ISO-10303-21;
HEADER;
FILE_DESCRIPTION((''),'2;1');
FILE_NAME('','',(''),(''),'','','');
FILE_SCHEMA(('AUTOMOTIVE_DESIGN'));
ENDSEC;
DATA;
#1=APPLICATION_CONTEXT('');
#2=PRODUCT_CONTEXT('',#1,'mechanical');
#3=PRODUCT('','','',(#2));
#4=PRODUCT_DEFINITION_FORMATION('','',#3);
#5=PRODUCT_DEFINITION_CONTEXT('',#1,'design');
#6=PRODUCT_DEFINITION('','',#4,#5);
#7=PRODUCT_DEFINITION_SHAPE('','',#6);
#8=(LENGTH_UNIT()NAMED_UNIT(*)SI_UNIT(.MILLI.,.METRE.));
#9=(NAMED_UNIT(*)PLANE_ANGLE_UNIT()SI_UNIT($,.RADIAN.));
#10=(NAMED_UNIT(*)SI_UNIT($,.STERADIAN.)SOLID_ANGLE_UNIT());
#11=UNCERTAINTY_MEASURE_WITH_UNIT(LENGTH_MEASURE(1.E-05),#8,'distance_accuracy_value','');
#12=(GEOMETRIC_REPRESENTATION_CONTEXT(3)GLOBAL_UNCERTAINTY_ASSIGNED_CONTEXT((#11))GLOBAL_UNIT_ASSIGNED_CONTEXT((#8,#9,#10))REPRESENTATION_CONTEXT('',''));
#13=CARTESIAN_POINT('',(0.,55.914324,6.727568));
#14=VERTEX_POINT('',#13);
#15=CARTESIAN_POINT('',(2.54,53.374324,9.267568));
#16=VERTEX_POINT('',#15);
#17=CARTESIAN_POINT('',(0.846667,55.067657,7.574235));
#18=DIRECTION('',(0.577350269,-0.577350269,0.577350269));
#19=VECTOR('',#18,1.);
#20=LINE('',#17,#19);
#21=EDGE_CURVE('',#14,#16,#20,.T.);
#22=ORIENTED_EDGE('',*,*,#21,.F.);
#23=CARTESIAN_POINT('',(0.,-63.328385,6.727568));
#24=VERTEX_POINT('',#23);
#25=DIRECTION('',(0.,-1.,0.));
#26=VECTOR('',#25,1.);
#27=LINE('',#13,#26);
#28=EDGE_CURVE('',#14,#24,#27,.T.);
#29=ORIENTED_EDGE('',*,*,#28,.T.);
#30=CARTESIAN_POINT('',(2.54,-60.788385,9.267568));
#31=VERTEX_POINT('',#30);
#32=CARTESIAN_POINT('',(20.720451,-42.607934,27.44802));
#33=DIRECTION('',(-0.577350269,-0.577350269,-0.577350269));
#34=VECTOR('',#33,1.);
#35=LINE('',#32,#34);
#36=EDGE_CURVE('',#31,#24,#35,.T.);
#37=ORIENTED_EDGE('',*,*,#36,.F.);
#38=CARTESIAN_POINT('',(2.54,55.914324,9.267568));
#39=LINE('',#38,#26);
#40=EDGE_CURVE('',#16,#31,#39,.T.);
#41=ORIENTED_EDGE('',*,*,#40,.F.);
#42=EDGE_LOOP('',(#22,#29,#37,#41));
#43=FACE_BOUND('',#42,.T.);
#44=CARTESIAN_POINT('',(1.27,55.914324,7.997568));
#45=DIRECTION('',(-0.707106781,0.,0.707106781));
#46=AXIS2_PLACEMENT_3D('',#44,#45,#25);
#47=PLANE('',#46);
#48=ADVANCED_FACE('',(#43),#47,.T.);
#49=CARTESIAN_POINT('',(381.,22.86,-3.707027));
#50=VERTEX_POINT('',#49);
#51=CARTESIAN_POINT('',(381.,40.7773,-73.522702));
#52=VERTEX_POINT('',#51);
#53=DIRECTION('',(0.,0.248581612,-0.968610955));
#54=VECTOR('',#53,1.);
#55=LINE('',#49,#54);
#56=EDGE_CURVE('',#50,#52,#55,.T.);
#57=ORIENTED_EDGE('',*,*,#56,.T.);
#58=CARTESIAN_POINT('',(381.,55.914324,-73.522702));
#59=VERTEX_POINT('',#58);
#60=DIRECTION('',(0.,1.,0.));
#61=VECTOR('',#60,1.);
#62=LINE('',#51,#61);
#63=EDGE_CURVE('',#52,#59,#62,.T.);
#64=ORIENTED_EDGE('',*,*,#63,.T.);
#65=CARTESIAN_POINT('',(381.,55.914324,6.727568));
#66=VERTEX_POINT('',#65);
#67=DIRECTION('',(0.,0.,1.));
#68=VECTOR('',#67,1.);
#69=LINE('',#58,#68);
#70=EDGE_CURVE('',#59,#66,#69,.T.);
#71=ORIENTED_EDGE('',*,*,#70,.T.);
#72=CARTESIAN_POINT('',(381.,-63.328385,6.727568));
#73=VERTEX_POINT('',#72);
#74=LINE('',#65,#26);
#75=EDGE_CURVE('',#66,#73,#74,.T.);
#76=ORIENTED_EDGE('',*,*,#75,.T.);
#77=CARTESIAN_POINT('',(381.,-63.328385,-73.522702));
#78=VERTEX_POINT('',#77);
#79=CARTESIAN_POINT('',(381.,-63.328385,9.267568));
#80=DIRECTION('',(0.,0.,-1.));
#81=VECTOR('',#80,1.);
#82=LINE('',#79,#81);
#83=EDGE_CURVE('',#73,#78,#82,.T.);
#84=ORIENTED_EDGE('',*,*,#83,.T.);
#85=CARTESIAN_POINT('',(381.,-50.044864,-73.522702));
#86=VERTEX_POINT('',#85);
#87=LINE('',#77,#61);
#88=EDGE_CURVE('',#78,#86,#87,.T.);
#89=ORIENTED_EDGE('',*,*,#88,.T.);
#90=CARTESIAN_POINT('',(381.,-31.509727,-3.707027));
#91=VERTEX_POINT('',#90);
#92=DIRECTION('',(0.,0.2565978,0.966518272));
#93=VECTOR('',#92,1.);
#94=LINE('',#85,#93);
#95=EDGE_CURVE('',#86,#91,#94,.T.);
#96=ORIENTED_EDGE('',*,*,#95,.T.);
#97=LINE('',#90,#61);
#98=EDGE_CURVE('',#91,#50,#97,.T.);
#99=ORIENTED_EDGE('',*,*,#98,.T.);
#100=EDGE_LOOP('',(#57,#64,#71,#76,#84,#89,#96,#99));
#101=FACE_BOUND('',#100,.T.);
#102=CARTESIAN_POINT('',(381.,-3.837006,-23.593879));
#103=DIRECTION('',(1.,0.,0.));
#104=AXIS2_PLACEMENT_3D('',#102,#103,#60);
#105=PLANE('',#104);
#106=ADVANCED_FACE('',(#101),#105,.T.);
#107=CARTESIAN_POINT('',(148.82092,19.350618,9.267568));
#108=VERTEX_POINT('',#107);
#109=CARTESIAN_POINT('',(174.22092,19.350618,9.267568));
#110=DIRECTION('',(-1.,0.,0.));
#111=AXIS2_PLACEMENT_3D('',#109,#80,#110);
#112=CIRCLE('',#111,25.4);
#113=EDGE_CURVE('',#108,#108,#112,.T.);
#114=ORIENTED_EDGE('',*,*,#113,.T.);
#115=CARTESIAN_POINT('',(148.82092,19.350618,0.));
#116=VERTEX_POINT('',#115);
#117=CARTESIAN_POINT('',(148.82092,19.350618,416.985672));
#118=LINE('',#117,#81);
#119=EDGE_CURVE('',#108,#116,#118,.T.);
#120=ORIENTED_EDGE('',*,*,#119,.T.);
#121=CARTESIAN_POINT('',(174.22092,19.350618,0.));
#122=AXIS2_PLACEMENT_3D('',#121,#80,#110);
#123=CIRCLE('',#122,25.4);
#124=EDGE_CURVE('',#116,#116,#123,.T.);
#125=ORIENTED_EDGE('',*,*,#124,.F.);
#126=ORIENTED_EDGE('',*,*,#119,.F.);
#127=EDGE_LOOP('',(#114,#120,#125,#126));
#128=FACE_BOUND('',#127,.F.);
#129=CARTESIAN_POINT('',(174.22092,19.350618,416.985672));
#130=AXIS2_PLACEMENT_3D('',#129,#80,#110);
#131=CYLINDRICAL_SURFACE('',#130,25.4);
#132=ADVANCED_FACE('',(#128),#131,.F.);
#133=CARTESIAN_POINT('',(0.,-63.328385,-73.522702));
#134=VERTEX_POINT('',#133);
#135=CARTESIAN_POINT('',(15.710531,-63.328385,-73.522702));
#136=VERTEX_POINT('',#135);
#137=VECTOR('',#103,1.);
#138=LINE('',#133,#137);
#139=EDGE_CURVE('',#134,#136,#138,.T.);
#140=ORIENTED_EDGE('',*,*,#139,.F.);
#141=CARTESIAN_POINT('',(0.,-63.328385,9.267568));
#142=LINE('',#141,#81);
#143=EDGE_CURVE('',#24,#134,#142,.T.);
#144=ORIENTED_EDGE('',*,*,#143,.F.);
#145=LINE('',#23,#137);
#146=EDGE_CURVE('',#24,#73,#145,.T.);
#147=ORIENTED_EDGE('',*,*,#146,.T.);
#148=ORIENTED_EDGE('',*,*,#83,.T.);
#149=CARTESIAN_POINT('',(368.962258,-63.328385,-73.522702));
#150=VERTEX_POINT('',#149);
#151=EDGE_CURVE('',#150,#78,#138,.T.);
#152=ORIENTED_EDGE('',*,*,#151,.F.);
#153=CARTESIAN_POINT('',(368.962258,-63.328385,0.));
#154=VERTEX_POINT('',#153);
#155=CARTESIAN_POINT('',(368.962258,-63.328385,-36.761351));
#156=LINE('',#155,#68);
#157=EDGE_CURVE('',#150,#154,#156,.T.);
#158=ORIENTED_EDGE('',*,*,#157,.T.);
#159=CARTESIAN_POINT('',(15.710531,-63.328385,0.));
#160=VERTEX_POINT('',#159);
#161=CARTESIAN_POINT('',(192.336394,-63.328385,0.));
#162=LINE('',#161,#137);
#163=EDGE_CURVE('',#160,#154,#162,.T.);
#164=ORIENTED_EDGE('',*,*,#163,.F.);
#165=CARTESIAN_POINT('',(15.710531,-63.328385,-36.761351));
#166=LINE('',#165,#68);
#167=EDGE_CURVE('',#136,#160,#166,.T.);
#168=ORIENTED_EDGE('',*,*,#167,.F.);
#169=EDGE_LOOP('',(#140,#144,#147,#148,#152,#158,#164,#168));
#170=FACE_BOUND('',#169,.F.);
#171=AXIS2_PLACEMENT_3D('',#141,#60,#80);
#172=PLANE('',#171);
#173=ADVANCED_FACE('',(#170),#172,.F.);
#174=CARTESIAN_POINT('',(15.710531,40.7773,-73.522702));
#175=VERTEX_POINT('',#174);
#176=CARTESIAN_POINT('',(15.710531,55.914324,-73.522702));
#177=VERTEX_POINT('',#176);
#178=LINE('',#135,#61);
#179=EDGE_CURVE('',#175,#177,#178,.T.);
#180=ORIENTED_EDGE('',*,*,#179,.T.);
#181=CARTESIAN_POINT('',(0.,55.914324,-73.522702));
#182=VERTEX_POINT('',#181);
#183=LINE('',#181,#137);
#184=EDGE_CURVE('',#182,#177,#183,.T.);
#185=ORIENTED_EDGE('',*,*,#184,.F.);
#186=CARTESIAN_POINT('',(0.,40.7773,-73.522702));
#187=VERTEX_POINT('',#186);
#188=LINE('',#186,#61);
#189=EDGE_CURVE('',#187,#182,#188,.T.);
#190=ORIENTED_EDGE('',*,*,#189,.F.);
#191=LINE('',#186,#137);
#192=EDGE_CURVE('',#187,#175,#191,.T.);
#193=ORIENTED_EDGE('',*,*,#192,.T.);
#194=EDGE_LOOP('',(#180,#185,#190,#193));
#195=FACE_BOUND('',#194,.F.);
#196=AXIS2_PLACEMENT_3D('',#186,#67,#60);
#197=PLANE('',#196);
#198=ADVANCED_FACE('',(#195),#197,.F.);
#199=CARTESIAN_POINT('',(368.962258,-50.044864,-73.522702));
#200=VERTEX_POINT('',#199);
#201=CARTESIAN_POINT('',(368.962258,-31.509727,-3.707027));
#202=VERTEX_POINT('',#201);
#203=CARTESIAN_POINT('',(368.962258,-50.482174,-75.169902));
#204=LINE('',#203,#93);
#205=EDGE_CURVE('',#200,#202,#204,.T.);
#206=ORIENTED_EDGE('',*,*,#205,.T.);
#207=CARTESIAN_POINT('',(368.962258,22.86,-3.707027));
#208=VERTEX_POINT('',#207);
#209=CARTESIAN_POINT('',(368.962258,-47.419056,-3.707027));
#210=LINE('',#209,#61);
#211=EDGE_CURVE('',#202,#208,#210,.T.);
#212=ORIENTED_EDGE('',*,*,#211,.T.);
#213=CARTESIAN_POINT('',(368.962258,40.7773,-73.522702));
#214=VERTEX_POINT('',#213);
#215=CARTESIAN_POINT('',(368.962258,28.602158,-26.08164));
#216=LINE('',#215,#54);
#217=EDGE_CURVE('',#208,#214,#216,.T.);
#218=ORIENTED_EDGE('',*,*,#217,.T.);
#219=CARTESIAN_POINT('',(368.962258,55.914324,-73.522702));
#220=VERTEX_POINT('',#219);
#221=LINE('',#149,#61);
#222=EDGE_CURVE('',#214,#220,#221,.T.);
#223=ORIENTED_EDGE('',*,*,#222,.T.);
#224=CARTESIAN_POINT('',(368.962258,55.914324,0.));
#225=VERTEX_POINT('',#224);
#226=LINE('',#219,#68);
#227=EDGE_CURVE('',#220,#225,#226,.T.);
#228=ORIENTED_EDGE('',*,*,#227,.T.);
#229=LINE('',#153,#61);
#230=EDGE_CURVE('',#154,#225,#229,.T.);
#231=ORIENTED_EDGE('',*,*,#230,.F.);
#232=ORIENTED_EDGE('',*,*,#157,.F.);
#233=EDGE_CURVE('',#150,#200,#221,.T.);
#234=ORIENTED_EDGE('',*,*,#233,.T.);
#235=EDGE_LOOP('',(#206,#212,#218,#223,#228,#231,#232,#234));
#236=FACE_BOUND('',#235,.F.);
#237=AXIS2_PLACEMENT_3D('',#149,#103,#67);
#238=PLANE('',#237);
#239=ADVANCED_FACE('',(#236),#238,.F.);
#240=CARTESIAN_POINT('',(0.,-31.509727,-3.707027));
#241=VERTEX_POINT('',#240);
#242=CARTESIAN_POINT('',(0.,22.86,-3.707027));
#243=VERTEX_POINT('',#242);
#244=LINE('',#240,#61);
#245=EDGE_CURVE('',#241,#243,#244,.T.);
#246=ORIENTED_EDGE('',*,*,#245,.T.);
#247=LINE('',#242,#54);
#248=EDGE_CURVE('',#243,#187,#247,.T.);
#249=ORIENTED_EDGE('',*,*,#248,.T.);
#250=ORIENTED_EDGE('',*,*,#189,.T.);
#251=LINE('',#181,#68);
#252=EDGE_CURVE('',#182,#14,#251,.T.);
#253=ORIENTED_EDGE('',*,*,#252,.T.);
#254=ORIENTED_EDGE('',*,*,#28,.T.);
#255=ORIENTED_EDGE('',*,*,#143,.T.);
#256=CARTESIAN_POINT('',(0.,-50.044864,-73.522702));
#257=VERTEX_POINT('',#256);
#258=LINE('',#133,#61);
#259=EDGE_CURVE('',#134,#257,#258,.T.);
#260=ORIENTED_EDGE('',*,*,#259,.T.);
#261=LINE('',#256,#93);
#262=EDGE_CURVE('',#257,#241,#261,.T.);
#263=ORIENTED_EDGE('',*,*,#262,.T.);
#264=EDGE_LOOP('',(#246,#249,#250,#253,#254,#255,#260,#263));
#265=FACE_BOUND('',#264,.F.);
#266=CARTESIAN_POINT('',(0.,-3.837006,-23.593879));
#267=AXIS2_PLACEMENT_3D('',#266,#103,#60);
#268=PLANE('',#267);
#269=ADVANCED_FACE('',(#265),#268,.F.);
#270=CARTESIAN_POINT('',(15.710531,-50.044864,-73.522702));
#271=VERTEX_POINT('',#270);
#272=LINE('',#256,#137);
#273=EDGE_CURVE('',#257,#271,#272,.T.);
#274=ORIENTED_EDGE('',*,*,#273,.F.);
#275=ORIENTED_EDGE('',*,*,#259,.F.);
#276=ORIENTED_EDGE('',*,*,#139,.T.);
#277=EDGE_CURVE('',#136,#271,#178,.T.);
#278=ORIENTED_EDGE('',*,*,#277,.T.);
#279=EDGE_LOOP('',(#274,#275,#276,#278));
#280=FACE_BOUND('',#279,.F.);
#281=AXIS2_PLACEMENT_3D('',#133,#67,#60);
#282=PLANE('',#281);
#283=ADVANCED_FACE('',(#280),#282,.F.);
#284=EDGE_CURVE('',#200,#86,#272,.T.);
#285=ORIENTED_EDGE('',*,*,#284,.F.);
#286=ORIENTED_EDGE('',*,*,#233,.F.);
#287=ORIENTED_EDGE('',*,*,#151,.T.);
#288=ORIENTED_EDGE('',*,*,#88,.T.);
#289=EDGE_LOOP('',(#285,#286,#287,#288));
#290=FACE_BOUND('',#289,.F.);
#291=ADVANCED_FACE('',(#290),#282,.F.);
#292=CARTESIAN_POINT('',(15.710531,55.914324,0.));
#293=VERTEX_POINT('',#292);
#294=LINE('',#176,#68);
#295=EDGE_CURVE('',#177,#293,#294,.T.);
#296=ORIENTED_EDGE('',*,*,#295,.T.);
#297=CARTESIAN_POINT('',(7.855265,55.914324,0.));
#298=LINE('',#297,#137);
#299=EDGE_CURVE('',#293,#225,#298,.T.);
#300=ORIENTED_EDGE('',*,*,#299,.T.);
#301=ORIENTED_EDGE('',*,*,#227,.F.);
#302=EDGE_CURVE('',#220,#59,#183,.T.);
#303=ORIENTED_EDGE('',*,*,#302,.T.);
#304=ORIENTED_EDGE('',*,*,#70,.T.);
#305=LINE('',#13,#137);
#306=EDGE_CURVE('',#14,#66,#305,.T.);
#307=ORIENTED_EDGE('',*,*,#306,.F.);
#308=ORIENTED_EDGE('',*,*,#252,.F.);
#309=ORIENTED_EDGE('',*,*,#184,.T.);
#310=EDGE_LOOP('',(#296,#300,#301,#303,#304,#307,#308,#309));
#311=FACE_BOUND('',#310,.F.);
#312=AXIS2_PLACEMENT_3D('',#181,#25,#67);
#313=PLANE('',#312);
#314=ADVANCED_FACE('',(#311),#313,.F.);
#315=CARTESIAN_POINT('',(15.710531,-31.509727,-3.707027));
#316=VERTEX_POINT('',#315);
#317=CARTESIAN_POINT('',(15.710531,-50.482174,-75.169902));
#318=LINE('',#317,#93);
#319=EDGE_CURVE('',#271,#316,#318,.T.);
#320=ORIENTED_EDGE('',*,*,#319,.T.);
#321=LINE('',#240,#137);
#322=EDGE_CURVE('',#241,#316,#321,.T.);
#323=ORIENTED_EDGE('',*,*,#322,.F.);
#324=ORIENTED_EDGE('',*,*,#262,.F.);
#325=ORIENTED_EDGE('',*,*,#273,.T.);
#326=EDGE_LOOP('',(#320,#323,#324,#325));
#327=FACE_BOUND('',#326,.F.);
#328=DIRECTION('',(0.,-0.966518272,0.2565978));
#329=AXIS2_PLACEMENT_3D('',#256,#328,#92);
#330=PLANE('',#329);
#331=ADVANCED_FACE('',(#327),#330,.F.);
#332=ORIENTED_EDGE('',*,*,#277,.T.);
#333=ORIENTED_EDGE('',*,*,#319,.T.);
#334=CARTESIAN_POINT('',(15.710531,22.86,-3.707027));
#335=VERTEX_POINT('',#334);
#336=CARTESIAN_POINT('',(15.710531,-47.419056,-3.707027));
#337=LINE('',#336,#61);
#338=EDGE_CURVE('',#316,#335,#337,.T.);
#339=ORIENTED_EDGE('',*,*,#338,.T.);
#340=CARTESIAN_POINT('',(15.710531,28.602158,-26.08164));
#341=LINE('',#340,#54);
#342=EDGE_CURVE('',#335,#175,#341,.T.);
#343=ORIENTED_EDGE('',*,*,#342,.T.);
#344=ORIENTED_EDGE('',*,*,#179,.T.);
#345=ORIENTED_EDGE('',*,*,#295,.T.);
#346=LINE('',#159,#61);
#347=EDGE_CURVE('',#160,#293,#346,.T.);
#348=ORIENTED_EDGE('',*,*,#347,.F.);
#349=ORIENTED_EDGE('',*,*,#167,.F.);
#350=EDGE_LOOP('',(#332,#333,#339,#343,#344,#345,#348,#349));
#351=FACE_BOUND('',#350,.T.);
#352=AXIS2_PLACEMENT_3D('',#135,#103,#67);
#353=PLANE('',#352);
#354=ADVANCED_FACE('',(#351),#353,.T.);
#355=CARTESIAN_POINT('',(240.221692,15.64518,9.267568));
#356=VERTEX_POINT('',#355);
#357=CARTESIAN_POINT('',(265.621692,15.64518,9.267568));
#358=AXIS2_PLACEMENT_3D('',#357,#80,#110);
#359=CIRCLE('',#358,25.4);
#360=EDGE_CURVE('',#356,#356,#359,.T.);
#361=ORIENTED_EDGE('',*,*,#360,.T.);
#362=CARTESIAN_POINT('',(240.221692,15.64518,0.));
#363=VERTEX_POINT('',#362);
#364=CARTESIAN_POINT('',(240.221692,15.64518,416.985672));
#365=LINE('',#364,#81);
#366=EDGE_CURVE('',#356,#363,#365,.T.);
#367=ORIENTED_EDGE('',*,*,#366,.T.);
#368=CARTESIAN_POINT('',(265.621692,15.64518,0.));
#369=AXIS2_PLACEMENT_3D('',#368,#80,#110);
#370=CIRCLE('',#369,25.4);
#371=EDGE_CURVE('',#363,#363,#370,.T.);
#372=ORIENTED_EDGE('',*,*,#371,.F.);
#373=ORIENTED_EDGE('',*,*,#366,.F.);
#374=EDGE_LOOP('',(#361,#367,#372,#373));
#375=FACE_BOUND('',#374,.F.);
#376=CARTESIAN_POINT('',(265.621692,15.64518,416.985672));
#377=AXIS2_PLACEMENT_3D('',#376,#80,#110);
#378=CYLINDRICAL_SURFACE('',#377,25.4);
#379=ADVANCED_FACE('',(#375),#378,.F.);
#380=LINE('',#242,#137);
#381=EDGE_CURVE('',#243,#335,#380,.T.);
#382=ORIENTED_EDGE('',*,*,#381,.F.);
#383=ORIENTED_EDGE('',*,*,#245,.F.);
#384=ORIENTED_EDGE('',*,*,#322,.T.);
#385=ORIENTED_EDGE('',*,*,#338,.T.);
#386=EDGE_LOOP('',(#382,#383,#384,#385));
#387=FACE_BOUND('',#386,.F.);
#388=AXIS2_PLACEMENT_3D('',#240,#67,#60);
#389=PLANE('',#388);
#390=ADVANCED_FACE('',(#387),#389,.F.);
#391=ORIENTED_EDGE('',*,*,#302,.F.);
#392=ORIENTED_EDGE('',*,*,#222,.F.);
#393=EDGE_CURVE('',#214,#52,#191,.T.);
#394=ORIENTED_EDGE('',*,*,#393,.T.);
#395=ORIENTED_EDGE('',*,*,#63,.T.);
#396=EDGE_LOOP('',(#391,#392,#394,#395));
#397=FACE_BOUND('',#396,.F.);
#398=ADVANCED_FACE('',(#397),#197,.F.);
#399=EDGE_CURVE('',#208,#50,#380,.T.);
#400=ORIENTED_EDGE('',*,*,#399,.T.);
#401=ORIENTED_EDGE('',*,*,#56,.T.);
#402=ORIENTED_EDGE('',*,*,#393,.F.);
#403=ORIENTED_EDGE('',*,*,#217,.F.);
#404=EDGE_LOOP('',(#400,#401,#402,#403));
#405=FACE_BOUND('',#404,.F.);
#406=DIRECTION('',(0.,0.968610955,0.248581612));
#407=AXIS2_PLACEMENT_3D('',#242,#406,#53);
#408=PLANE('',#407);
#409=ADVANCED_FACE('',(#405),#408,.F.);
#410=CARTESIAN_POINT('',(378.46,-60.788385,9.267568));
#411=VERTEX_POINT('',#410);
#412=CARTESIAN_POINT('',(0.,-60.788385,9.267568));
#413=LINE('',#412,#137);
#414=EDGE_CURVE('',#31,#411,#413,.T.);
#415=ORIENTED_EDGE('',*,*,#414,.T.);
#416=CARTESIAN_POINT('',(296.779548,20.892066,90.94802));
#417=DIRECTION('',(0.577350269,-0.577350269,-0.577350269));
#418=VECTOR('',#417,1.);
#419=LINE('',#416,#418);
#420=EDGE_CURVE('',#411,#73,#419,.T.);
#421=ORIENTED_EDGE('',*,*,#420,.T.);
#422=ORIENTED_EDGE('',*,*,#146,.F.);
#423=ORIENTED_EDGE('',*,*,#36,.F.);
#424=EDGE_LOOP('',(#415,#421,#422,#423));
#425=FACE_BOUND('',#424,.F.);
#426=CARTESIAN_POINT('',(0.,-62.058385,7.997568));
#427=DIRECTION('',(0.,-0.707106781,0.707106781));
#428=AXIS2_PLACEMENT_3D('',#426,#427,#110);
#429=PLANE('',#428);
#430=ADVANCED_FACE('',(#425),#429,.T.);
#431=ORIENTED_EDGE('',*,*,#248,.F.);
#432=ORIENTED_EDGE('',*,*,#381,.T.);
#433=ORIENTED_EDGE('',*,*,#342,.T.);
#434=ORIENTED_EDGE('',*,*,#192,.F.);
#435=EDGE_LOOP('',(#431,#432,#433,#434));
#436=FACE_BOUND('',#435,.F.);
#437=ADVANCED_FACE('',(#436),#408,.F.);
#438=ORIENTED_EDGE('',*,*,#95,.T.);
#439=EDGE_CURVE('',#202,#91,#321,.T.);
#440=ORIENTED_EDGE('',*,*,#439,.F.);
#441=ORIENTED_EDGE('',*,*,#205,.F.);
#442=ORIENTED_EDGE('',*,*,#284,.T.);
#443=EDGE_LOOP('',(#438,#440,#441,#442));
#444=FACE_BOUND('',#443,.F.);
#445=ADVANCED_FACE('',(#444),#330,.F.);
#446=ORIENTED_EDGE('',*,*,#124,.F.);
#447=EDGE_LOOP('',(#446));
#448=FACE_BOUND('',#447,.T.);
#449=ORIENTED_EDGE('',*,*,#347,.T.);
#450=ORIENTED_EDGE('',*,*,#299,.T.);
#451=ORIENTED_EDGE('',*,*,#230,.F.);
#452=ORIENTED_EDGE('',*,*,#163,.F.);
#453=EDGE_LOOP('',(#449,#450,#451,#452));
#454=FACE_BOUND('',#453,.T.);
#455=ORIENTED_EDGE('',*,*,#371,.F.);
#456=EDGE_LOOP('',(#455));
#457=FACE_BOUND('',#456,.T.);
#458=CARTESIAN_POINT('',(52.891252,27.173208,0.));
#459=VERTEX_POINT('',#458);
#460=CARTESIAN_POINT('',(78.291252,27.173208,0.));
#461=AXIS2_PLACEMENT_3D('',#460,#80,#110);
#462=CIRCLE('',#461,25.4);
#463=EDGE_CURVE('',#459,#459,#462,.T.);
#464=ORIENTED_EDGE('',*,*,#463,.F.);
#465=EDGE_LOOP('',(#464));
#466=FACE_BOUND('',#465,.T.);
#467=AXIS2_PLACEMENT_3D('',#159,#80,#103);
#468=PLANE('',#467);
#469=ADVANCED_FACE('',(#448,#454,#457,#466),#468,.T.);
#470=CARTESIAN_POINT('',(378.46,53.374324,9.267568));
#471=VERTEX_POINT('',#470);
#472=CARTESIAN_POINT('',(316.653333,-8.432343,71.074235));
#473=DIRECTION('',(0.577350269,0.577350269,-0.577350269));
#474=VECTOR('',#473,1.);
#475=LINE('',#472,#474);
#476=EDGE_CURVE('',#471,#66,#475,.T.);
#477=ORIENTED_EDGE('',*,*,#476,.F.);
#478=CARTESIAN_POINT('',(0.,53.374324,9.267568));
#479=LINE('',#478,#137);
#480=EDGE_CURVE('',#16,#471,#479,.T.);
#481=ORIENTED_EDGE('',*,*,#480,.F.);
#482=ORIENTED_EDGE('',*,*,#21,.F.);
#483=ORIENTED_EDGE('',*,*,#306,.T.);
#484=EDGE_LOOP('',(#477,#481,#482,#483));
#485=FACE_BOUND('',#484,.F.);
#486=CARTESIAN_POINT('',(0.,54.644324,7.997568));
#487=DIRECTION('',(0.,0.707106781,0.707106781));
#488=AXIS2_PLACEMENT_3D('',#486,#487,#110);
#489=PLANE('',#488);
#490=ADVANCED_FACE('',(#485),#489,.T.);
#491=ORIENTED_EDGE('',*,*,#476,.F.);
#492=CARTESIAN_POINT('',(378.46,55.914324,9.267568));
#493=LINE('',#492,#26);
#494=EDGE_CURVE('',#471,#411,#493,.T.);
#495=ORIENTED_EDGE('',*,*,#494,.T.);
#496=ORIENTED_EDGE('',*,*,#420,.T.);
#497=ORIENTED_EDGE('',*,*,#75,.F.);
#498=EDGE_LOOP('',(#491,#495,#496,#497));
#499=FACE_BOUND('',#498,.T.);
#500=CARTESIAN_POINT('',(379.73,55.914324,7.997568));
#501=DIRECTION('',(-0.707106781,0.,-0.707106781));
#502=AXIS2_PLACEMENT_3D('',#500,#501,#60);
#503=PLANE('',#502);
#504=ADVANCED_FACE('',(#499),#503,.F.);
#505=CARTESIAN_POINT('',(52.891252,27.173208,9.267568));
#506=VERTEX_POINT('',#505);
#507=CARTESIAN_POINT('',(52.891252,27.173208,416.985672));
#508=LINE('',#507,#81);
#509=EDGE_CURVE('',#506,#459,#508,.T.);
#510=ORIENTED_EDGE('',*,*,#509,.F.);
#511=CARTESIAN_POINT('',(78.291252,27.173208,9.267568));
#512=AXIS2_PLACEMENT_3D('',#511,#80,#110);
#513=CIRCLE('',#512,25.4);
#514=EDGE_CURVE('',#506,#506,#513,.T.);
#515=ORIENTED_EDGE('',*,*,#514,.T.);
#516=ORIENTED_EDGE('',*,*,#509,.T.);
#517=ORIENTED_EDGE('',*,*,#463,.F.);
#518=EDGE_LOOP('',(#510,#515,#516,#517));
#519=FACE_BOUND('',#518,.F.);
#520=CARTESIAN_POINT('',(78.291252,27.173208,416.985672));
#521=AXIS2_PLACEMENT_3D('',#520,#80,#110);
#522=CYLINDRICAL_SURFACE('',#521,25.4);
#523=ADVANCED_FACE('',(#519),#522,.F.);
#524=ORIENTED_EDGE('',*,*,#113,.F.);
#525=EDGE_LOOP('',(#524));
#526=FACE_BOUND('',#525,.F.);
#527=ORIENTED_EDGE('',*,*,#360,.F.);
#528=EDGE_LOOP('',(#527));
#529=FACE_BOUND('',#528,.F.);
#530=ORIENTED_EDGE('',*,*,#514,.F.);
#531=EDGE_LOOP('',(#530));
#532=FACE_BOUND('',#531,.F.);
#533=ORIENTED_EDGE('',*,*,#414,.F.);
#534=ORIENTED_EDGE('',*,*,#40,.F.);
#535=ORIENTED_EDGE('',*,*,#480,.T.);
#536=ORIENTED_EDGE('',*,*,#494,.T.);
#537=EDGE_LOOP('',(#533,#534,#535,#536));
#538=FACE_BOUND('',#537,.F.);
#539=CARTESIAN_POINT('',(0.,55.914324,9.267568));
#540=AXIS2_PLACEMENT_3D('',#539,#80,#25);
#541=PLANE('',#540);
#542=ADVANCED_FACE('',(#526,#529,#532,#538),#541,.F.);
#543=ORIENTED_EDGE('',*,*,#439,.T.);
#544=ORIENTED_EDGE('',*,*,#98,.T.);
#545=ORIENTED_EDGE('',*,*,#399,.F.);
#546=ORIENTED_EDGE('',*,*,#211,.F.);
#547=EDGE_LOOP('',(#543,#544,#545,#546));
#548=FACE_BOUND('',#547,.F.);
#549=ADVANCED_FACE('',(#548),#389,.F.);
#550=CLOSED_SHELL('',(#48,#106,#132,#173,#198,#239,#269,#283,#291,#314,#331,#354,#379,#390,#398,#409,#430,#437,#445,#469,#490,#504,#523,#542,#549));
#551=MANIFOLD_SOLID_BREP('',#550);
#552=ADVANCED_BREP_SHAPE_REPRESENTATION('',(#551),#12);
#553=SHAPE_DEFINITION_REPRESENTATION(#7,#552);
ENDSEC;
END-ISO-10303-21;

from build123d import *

# Parameters (mm, degrees)
F1_DEPTH = 381
F2_W     = 353.251727
F2_H     = 73.522702
F3_DEPTH = 119.243709
F4_SIZE  = 2.54
F6_D     = 50.8


with BuildPart() as f1:
    # F0 (on Right) → F1 (new body)
    with BuildSketch(Plane.YZ):
        Polygon((22.86, -3.707027), (40.7773, -73.522702), (55.914324, -73.522702), (55.914324, 9.267568), (-63.328385, 9.267568), (-63.328385, -73.522702), (-50.044864, -73.522702), (-31.509727, -3.707027), align=None)
    extrude(amount=F1_DEPTH)

    # F2 (on face) → F3 (cut, through all)
    with BuildSketch(Plane.XZ.offset(63.328385)):
        with Locations((192.336394, -36.761351)):
            Rectangle(F2_W, F2_H)
    extrude(amount=-F3_DEPTH, mode=Mode.SUBTRACT)

    # F4
    f4_edges = [f1.edges().sort_by_distance(p)[0] for p in [
        (381, -3.707031, 9.267568),
        (190.5, -63.328385, 9.267568),
        (190.5, 55.914324, 9.267568),
        (0, -3.707031, 9.267568),
    ]]
    chamfer(f4_edges, length=F4_SIZE)

    # F6 (through all)
    with Locations(Plane.XY.offset(9.267568)):
        with Locations((78.291252, 27.173208), (174.22092, 19.350618), (265.621692, 15.64518)):
            Hole(F6_D / 2)


solid = f1.part
